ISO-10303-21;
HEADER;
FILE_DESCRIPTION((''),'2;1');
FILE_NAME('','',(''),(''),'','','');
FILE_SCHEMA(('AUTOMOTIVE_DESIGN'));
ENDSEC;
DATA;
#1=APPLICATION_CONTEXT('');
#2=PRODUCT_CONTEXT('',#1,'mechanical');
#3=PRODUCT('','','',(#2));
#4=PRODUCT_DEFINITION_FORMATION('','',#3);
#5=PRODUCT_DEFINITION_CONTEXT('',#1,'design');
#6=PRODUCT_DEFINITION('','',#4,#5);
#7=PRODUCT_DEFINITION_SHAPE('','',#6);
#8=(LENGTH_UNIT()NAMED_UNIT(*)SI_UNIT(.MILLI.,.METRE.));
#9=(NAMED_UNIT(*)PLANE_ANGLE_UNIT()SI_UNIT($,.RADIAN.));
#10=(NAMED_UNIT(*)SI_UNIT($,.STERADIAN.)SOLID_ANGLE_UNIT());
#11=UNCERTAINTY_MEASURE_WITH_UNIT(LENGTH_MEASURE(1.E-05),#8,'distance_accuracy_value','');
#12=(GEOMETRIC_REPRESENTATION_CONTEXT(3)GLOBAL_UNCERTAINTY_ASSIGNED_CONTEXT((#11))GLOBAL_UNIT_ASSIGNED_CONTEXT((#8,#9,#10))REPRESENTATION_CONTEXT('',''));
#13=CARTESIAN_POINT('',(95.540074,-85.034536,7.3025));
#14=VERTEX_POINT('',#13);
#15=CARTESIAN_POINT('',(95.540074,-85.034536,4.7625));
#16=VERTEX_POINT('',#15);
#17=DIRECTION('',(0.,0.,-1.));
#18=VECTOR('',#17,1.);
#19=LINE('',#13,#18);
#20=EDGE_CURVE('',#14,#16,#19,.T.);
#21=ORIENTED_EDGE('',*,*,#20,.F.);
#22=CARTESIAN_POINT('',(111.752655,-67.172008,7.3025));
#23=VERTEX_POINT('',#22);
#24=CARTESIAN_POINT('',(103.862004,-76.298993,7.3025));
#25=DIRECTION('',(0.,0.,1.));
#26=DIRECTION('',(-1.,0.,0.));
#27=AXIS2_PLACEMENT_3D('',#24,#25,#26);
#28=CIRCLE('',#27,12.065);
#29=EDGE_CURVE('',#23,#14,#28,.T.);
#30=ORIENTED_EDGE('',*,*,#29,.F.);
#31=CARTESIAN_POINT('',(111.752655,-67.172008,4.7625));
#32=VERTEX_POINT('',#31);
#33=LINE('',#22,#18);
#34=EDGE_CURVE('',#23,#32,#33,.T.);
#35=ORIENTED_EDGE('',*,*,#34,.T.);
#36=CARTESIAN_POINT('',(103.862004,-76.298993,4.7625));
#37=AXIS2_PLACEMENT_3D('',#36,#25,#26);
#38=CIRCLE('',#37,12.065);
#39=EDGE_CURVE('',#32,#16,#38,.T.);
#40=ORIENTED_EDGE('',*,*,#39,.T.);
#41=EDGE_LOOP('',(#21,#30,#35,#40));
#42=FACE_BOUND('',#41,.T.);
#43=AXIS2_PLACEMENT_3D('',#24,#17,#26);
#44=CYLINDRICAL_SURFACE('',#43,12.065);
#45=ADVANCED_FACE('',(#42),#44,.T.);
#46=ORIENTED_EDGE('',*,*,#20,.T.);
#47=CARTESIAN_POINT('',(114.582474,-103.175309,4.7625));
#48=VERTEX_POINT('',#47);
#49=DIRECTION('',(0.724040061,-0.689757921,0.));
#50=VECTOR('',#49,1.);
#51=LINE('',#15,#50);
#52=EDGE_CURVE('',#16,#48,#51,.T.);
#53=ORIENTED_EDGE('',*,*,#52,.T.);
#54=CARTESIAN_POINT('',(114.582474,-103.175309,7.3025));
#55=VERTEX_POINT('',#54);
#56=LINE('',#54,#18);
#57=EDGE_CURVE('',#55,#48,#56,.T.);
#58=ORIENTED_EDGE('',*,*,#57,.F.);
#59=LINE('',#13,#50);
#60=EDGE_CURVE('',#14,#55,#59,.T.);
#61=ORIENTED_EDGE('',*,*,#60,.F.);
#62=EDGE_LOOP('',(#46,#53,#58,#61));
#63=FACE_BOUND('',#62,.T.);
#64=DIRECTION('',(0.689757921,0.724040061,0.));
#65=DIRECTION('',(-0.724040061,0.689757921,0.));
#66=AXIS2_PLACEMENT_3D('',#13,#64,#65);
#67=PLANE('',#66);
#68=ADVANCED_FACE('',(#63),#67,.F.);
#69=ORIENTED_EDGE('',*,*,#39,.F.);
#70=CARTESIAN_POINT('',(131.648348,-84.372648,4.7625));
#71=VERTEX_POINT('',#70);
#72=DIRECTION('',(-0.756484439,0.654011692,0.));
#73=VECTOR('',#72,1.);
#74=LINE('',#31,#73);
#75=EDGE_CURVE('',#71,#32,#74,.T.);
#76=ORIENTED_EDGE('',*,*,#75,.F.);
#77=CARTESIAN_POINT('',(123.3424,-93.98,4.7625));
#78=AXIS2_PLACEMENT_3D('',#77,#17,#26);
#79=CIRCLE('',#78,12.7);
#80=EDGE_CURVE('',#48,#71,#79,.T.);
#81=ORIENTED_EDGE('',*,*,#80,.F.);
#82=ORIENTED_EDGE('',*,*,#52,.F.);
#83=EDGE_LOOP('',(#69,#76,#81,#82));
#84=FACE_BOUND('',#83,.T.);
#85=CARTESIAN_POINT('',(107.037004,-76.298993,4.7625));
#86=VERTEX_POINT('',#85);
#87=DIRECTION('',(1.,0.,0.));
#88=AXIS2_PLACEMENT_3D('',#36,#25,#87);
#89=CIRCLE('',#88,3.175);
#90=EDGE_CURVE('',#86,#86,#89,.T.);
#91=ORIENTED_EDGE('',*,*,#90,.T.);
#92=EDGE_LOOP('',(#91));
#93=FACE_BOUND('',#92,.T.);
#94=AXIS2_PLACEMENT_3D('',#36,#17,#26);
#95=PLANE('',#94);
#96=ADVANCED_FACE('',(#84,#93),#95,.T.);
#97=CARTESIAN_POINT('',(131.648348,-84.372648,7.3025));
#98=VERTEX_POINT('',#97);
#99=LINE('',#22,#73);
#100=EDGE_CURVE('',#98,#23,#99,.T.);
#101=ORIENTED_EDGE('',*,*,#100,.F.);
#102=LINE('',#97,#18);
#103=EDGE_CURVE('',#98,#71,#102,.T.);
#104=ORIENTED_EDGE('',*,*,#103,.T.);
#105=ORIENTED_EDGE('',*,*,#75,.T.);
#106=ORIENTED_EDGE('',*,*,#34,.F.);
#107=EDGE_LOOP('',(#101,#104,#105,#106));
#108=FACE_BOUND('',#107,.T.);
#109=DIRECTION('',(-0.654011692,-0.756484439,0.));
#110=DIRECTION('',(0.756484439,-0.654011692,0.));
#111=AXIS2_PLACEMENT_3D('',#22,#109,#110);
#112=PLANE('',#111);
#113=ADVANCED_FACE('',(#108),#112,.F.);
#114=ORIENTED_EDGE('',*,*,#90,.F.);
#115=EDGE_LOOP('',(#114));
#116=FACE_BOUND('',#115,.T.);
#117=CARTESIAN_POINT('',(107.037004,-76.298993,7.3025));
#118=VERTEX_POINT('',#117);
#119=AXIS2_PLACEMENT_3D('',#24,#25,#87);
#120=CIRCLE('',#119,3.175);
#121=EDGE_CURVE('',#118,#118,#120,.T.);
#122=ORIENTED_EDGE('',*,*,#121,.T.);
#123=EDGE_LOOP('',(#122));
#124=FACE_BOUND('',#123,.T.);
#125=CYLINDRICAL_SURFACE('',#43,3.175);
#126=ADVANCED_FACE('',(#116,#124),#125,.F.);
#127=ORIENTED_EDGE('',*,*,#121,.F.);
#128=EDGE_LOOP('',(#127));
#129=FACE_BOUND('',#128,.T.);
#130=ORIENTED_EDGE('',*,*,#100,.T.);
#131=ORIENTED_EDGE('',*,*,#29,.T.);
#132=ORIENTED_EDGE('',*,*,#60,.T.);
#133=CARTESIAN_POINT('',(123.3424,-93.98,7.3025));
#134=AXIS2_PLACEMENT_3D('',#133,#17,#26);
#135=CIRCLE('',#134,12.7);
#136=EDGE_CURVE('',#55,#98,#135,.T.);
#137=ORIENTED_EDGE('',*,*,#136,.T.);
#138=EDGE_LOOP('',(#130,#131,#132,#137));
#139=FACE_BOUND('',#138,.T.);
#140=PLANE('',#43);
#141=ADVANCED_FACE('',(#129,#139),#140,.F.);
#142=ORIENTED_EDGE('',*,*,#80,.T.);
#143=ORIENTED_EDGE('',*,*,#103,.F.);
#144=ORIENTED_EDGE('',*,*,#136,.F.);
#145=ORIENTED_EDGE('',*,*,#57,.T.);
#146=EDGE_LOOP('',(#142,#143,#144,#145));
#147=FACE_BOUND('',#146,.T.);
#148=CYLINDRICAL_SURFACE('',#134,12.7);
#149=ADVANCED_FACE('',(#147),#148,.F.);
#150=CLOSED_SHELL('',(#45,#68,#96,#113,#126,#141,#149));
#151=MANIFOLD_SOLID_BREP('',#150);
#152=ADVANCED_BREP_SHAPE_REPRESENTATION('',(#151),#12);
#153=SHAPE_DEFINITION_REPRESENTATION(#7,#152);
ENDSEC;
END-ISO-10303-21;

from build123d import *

# Parameters (mm, degrees)
BOSS_EXTRUDE3_START = 4.7625
SKETCH2_R           = 3.175
BOSS_EXTRUDE3_DEPTH = 2.54


with BuildPart() as part:
    # Sketch2 → Boss-Extrude3 (new body)
    with BuildSketch(Plane.XY.offset(BOSS_EXTRUDE3_START)):
        with BuildLine():
            Line((111.752654756, -67.172007853), (131.648348491, -84.372647625))
            ThreePointArc((131.648348491, -84.372647625), (113.938329585, -85.444576189), (114.582474398, -103.175308774))
            Line((114.582474398, -103.175308774), (95.540074367, -85.034535944))
            ThreePointArc((95.540074367, -85.034535944), (94.928136795, -68.190339989), (111.752654756, -67.172007853))
        make_face()
        with Locations((103.862003689, -76.298992609)):
            Circle(SKETCH2_R, mode=Mode.SUBTRACT)
    extrude(amount=BOSS_EXTRUDE3_DEPTH)


solid = part.part
